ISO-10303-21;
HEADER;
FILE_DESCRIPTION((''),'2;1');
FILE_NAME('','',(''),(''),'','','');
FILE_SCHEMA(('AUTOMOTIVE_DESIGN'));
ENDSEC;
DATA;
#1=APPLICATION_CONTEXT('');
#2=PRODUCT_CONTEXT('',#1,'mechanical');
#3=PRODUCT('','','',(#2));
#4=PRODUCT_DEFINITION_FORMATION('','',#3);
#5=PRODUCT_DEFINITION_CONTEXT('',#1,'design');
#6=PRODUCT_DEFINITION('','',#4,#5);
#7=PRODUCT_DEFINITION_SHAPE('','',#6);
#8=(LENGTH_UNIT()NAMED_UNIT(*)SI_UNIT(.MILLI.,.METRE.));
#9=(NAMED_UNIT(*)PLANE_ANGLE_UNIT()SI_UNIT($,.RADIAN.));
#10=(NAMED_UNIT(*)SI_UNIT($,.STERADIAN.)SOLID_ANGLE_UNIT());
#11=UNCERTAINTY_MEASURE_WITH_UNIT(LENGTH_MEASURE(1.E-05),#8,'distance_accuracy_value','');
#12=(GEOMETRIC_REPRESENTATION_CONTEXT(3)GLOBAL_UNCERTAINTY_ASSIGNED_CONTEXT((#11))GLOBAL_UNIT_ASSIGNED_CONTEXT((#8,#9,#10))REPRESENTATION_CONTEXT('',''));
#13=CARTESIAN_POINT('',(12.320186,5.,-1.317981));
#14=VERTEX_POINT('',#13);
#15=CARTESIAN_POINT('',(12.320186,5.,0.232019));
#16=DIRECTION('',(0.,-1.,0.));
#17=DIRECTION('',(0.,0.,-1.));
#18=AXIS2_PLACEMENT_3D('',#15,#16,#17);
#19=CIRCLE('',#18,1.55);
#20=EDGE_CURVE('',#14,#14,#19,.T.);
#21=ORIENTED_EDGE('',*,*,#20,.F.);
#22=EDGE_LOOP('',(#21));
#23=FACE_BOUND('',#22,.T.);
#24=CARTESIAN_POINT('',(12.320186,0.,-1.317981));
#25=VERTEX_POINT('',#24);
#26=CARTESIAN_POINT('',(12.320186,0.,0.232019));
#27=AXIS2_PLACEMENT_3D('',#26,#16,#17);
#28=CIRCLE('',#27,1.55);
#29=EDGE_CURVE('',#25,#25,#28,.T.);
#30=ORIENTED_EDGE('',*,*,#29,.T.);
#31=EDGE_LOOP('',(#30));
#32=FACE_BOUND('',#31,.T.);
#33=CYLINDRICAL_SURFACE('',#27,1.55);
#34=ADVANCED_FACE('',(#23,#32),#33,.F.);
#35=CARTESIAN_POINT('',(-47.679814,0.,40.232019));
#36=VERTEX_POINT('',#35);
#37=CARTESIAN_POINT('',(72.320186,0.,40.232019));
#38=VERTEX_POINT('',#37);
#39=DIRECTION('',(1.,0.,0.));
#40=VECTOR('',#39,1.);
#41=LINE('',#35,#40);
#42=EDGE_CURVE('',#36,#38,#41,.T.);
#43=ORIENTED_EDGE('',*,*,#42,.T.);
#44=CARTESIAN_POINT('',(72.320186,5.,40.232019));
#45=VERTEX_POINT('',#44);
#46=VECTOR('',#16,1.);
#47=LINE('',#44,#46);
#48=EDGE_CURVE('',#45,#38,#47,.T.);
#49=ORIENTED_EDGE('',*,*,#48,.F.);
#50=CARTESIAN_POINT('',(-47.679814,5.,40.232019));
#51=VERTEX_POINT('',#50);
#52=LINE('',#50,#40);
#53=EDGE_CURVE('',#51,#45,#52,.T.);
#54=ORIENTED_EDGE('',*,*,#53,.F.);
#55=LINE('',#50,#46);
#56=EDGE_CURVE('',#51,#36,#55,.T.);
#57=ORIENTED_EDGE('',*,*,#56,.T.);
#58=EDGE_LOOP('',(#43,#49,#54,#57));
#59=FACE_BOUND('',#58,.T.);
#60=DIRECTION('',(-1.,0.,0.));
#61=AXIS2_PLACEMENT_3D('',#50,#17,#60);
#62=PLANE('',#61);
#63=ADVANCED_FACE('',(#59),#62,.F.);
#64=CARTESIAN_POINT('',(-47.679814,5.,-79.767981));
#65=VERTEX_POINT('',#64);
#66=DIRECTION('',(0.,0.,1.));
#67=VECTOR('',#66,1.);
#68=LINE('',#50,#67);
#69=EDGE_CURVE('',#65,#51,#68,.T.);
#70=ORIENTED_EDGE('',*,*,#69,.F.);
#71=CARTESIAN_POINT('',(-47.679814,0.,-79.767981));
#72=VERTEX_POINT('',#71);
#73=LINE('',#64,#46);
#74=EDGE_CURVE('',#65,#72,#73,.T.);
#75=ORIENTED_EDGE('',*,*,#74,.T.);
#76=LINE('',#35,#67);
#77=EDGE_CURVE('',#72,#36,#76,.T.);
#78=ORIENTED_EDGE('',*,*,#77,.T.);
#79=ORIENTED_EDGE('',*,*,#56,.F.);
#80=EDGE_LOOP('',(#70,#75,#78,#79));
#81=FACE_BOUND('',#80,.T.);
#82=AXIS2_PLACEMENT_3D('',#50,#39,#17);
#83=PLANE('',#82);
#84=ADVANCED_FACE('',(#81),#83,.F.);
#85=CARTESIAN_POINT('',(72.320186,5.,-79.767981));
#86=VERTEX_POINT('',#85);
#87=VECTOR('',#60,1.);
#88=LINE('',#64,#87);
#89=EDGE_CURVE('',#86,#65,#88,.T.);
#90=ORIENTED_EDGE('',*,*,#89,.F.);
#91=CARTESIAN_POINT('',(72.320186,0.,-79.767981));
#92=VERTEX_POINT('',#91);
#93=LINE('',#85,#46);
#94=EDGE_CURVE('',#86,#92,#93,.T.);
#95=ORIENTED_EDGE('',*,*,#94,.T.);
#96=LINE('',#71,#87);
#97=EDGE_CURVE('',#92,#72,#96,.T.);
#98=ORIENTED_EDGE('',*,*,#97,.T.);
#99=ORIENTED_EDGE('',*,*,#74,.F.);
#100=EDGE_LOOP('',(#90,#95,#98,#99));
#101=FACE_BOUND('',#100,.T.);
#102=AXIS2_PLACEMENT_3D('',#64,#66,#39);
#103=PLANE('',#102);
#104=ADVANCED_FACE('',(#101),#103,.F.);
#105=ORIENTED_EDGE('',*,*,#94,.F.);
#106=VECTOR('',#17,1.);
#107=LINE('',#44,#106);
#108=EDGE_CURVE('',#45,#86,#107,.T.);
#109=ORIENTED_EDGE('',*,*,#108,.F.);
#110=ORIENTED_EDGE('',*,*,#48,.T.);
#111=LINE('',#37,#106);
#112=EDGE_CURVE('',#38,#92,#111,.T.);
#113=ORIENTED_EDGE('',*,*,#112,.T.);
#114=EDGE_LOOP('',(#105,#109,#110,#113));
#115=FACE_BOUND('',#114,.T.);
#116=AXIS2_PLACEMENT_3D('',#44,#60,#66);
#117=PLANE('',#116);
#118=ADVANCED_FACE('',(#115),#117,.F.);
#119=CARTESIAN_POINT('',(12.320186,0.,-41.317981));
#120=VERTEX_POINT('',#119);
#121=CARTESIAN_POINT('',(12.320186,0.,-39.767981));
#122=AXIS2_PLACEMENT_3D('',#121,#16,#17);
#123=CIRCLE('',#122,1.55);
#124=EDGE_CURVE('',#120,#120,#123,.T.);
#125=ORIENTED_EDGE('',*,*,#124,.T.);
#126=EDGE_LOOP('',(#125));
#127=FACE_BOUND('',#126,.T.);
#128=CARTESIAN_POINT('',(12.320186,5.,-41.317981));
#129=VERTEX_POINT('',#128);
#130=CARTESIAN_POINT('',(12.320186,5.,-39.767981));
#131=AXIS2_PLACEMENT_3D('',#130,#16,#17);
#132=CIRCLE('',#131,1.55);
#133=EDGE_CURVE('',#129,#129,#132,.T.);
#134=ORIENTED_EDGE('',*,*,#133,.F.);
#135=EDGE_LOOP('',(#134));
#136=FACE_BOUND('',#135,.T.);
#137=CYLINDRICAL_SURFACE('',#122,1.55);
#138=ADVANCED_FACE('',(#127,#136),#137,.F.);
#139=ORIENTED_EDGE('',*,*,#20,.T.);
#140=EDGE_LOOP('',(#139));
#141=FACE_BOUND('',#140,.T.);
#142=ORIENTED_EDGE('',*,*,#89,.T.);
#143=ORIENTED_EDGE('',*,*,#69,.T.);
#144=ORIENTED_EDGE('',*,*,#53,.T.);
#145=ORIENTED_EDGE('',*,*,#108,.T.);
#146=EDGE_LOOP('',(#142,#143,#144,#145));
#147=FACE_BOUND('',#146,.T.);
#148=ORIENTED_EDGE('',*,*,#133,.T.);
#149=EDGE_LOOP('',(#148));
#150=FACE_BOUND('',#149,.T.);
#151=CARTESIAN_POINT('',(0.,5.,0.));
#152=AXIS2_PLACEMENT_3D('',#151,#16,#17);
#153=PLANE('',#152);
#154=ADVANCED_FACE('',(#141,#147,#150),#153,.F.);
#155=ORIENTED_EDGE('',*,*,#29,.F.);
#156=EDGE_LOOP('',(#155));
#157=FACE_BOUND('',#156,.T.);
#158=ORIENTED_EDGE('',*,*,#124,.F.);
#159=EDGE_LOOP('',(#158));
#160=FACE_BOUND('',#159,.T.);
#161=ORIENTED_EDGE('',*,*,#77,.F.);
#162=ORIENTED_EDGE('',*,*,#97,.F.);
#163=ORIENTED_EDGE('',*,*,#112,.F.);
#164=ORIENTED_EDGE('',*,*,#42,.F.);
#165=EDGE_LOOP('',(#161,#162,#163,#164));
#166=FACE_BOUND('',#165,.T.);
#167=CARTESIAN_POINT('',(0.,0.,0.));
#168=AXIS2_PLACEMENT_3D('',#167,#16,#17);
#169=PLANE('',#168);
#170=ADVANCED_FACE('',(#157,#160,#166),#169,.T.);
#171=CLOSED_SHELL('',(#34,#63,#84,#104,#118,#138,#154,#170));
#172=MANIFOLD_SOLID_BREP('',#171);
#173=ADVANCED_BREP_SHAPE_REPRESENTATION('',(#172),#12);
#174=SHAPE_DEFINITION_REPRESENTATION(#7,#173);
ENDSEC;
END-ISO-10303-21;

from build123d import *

# Parameters (mm, degrees)
SCHIZZO1_W                   = 120
SCHIZZO1_H                   = 120
ESTRUSIONE_ESTRUSIONE1_DEPTH = 5
FORO_PER_VITE_M2_5_1_D       = 3.1


with BuildPart() as part:
    # Schizzo1 → Estrusione-Estrusione1 (new body)
    with BuildSketch(Plane(origin=(0, 0, 0), x_dir=(1, 0, 0), z_dir=(0, 1, 0))):
        with Locations((12.320185615, 19.767981439)):
            Rectangle(SCHIZZO1_W, SCHIZZO1_H)
    extrude(amount=ESTRUSIONE_ESTRUSIONE1_DEPTH)

    # Foro per Vite M2.5-1 (through all)
    with Locations(Plane(origin=(12.320185615, 0, 0.232018561), x_dir=(0, 0, -1), z_dir=(0, -1, 0))):
        with Locations((0, 0), (40, 0)):
            Hole(FORO_PER_VITE_M2_5_1_D / 2)


solid = part.part
